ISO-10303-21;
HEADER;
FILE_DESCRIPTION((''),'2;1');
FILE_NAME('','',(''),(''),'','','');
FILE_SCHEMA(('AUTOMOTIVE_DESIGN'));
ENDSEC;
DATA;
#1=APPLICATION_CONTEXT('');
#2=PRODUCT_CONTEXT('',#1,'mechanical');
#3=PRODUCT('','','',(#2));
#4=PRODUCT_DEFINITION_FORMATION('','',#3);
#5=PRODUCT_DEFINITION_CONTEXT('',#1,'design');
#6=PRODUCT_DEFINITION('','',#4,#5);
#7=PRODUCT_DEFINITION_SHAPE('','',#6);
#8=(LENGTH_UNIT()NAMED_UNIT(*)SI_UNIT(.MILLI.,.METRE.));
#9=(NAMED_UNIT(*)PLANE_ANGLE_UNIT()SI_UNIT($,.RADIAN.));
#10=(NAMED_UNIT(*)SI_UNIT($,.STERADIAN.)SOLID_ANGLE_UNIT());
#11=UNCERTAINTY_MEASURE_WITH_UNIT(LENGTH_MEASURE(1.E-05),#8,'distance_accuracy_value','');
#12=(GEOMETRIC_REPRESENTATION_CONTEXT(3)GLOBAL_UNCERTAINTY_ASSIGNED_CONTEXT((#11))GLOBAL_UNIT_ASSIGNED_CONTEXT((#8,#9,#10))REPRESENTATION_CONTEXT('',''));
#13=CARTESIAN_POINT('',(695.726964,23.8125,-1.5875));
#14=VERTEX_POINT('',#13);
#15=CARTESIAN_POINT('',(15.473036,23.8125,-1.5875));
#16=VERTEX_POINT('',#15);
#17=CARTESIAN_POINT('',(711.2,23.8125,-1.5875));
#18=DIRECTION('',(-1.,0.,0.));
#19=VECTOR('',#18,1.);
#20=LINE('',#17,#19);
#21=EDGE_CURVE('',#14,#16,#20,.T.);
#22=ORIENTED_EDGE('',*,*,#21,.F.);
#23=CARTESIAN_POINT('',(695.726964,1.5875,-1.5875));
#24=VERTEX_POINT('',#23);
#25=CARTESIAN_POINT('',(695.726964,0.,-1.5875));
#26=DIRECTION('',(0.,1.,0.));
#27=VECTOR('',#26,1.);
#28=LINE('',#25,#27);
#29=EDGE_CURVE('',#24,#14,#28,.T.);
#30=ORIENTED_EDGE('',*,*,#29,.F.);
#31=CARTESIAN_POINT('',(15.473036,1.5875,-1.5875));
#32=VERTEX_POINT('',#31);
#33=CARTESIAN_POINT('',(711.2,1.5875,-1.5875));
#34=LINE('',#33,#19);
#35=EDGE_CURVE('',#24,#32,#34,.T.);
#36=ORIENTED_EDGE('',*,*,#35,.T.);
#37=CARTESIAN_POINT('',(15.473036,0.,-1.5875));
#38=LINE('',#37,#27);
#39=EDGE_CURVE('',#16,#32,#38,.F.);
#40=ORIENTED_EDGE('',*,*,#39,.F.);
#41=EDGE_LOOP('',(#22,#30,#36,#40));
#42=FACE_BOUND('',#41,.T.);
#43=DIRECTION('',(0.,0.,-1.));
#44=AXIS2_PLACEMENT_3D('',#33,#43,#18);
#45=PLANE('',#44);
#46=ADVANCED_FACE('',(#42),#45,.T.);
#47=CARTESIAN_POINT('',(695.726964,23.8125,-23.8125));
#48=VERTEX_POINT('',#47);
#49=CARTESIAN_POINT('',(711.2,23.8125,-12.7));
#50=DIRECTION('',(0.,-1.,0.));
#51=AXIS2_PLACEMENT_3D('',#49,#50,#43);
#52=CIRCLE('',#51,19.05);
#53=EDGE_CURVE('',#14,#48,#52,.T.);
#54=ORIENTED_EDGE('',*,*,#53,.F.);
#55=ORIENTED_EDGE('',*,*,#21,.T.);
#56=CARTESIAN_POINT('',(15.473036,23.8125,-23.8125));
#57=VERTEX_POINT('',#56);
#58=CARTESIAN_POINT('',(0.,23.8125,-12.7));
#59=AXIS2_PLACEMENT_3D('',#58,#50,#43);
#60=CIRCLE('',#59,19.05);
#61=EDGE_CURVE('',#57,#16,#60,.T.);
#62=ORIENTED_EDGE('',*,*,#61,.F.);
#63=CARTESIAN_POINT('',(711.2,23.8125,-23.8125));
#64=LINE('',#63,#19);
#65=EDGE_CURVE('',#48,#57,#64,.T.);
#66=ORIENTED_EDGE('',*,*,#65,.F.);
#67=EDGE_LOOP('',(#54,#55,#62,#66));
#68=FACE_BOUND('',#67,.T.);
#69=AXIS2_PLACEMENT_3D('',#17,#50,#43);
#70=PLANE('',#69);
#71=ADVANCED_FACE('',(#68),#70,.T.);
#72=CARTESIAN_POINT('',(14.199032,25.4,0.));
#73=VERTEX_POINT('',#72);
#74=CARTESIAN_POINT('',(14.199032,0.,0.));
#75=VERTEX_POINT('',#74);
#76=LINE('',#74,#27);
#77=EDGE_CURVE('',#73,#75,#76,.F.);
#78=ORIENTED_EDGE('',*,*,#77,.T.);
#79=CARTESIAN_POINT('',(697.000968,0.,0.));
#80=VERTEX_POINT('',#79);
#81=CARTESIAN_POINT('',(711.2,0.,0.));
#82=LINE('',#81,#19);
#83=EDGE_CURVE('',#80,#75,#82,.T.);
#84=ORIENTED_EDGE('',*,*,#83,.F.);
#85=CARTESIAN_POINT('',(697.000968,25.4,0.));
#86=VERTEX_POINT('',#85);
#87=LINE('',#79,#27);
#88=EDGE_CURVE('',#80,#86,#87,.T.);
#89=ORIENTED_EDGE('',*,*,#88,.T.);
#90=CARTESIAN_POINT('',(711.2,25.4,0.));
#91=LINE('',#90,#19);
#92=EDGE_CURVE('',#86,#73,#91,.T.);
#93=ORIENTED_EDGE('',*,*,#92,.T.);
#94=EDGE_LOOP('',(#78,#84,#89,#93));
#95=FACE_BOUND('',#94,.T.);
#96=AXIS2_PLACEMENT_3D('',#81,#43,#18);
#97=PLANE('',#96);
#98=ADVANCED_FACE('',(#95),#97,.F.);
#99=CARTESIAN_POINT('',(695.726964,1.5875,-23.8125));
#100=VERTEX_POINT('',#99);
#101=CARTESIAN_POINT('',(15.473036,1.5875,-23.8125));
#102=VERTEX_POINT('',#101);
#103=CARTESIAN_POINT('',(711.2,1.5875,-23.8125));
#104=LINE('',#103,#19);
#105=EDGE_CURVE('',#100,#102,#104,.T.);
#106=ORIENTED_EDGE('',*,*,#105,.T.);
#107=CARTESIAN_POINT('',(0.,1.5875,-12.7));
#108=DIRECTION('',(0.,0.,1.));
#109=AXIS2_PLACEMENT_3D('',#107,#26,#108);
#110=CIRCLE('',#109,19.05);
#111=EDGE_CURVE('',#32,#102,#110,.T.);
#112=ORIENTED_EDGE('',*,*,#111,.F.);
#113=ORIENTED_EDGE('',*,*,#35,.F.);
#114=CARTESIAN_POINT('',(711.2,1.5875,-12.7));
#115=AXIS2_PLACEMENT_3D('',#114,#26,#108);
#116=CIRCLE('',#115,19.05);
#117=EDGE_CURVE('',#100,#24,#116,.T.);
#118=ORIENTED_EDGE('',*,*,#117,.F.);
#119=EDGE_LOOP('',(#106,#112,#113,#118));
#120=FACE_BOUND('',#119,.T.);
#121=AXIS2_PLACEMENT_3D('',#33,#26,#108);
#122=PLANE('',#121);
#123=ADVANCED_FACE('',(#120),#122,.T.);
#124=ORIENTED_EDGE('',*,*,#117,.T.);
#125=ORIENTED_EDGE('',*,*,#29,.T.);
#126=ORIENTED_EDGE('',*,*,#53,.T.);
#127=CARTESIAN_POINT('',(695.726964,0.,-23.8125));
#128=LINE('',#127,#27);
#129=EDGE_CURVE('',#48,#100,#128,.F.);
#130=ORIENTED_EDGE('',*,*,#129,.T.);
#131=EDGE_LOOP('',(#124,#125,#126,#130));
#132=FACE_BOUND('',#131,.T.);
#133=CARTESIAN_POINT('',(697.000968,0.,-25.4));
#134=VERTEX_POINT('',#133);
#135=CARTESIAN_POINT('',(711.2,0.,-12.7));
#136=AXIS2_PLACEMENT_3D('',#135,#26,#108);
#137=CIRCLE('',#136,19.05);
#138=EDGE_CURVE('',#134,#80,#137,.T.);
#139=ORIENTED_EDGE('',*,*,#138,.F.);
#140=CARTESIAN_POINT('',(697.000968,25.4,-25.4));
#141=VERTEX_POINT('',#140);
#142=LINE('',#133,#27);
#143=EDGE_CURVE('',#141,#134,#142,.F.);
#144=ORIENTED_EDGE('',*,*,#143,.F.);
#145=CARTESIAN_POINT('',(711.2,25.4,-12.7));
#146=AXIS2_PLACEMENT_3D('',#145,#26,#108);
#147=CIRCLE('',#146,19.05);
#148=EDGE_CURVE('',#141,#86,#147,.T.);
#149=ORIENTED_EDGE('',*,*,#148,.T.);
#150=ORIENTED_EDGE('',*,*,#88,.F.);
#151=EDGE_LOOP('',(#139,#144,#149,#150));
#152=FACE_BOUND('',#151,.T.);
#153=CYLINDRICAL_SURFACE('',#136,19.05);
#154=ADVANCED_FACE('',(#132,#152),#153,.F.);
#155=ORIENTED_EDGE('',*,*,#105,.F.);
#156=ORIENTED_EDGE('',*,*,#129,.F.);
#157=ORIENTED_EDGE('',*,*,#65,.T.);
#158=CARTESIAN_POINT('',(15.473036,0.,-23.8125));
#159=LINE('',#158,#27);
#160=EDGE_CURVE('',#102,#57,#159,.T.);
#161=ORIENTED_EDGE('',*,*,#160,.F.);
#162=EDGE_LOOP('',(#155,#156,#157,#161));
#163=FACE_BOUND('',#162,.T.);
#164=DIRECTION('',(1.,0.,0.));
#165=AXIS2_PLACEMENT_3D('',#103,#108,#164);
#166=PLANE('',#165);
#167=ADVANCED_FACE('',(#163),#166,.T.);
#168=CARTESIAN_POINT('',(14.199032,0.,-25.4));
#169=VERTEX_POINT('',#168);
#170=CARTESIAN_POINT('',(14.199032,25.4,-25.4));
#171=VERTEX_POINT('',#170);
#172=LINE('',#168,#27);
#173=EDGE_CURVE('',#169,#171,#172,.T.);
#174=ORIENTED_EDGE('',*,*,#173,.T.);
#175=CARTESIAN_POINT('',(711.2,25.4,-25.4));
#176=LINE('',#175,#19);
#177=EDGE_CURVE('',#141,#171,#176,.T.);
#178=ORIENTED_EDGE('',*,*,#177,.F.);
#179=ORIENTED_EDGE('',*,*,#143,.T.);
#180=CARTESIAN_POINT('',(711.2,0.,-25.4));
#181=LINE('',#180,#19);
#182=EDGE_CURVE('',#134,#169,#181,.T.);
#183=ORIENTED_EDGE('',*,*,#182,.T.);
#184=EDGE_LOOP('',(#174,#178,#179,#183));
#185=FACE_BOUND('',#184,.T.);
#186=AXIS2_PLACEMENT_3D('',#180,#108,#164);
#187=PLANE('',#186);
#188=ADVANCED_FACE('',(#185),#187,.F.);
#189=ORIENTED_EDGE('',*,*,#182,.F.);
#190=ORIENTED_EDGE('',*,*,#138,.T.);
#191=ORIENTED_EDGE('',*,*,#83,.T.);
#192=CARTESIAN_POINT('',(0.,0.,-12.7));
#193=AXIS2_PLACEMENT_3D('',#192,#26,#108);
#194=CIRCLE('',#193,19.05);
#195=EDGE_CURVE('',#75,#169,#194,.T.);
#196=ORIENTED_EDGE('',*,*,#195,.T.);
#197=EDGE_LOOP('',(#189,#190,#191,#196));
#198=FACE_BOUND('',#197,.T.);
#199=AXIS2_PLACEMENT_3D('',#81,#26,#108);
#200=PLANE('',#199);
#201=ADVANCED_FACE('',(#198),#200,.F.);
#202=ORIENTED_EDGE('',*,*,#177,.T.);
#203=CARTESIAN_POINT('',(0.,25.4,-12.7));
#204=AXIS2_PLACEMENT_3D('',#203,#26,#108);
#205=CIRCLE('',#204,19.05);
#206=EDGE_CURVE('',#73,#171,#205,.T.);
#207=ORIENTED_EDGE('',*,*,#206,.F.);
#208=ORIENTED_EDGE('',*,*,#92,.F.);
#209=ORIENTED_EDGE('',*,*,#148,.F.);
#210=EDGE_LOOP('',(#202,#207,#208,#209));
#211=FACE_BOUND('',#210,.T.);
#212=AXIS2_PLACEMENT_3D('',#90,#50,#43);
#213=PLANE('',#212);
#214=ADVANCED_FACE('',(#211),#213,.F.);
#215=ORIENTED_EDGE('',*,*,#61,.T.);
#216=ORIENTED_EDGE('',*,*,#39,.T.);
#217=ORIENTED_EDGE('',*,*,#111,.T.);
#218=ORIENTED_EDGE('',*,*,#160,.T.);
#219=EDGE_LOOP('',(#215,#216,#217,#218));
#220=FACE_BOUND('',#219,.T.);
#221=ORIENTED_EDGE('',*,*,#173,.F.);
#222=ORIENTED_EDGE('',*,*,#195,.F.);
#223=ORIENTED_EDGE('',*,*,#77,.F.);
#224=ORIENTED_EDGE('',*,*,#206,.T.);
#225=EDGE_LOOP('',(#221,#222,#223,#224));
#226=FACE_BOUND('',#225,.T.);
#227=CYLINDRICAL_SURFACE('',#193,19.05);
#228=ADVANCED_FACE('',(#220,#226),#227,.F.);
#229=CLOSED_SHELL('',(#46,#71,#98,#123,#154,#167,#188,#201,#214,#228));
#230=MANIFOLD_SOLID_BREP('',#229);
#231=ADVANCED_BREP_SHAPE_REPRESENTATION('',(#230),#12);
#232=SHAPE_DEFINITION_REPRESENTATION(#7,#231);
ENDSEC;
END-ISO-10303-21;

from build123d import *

# Parameters (mm, degrees)
SKETCH1_W           = 25.4
SKETCH1_H           = 25.4
SKETCH1_W_2         = 22.225
SKETCH1_H_2         = 22.225
BOSS_EXTRUDE1_DEPTH = 711.2
SKETCH2_R           = 19.05
CUT_EXTRUDE1_DEPTH  = 26.4


with BuildPart() as part:
    # Sketch1 → Boss-Extrude1 (new body)
    with BuildSketch(Plane(origin=(0, 0, 0), x_dir=(0, 0, -1), z_dir=(1, 0, 0))):
        with Locations((12.7, 12.7)):
            Rectangle(SKETCH1_W, SKETCH1_H)
        with Locations((12.7, 12.7)):
            Rectangle(SKETCH1_W_2, SKETCH1_H_2, mode=Mode.SUBTRACT)
    extrude(amount=BOSS_EXTRUDE1_DEPTH)

    # Sketch2 → Cut-Extrude1 (cut, through all)
    with BuildSketch(Plane(origin=(0, 25.4, 0), x_dir=(1, 0, 0), z_dir=(0, 1, 0))):
        with Locations((0, 12.7)):
            Circle(SKETCH2_R)
        with Locations((711.2, 12.7)):
            Circle(SKETCH2_R)
    extrude(amount=-CUT_EXTRUDE1_DEPTH, mode=Mode.SUBTRACT)


solid = part.part
